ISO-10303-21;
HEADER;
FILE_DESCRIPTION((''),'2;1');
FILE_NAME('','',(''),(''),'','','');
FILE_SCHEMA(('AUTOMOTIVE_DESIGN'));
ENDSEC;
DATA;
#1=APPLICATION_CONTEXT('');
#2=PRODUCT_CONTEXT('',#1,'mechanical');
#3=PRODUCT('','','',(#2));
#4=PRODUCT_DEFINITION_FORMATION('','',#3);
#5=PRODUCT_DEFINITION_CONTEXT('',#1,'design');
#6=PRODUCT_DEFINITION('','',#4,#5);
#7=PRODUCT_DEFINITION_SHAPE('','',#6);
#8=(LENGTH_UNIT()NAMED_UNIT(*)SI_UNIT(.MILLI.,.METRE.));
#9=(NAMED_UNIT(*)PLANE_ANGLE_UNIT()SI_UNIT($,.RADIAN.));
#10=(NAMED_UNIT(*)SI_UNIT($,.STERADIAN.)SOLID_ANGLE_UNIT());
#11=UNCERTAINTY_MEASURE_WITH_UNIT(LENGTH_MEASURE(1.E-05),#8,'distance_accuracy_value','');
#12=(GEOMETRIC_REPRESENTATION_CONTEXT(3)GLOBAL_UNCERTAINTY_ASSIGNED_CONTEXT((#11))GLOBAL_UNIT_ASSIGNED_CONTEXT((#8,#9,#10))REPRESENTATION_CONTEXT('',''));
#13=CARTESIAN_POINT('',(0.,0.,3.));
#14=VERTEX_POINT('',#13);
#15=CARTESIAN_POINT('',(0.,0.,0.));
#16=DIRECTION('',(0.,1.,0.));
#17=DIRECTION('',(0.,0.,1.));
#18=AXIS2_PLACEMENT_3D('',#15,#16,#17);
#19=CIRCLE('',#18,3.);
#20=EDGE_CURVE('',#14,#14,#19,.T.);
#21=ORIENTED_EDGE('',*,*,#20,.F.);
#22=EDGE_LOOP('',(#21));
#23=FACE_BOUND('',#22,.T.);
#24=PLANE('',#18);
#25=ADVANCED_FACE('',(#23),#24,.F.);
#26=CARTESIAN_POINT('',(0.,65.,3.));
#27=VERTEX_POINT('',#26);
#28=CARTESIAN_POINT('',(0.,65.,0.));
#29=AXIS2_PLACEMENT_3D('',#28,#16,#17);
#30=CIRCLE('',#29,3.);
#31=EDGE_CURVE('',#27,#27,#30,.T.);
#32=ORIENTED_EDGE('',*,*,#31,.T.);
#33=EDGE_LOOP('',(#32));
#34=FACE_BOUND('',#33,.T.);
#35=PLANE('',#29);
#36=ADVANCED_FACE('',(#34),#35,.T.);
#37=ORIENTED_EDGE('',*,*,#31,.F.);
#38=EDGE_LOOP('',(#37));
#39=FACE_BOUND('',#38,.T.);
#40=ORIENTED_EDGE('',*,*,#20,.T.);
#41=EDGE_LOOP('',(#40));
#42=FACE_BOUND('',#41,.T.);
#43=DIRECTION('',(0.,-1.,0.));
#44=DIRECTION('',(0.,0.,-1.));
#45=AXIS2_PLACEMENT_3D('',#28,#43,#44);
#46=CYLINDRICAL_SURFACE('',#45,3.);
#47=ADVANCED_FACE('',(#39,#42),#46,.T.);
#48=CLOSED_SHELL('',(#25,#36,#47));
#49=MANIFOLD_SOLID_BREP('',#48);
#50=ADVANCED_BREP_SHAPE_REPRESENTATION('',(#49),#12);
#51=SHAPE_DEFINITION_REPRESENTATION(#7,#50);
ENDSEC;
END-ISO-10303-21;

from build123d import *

# Parameters (mm, degrees)
SKETCH1_R           = 3
BOSS_EXTRUDE1_DEPTH = 65


with BuildPart() as part:
    # Sketch1 → Boss-Extrude1 (new body)
    with BuildSketch(Plane(origin=(0, 0, 0), x_dir=(1, 0, 0), z_dir=(0, 1, 0))):
        with Locations(Location((0, 0, 0), (0, 0, 270))):  # turned: the seam where the file's is
            Circle(SKETCH1_R)
    extrude(amount=BOSS_EXTRUDE1_DEPTH)


solid = part.part
